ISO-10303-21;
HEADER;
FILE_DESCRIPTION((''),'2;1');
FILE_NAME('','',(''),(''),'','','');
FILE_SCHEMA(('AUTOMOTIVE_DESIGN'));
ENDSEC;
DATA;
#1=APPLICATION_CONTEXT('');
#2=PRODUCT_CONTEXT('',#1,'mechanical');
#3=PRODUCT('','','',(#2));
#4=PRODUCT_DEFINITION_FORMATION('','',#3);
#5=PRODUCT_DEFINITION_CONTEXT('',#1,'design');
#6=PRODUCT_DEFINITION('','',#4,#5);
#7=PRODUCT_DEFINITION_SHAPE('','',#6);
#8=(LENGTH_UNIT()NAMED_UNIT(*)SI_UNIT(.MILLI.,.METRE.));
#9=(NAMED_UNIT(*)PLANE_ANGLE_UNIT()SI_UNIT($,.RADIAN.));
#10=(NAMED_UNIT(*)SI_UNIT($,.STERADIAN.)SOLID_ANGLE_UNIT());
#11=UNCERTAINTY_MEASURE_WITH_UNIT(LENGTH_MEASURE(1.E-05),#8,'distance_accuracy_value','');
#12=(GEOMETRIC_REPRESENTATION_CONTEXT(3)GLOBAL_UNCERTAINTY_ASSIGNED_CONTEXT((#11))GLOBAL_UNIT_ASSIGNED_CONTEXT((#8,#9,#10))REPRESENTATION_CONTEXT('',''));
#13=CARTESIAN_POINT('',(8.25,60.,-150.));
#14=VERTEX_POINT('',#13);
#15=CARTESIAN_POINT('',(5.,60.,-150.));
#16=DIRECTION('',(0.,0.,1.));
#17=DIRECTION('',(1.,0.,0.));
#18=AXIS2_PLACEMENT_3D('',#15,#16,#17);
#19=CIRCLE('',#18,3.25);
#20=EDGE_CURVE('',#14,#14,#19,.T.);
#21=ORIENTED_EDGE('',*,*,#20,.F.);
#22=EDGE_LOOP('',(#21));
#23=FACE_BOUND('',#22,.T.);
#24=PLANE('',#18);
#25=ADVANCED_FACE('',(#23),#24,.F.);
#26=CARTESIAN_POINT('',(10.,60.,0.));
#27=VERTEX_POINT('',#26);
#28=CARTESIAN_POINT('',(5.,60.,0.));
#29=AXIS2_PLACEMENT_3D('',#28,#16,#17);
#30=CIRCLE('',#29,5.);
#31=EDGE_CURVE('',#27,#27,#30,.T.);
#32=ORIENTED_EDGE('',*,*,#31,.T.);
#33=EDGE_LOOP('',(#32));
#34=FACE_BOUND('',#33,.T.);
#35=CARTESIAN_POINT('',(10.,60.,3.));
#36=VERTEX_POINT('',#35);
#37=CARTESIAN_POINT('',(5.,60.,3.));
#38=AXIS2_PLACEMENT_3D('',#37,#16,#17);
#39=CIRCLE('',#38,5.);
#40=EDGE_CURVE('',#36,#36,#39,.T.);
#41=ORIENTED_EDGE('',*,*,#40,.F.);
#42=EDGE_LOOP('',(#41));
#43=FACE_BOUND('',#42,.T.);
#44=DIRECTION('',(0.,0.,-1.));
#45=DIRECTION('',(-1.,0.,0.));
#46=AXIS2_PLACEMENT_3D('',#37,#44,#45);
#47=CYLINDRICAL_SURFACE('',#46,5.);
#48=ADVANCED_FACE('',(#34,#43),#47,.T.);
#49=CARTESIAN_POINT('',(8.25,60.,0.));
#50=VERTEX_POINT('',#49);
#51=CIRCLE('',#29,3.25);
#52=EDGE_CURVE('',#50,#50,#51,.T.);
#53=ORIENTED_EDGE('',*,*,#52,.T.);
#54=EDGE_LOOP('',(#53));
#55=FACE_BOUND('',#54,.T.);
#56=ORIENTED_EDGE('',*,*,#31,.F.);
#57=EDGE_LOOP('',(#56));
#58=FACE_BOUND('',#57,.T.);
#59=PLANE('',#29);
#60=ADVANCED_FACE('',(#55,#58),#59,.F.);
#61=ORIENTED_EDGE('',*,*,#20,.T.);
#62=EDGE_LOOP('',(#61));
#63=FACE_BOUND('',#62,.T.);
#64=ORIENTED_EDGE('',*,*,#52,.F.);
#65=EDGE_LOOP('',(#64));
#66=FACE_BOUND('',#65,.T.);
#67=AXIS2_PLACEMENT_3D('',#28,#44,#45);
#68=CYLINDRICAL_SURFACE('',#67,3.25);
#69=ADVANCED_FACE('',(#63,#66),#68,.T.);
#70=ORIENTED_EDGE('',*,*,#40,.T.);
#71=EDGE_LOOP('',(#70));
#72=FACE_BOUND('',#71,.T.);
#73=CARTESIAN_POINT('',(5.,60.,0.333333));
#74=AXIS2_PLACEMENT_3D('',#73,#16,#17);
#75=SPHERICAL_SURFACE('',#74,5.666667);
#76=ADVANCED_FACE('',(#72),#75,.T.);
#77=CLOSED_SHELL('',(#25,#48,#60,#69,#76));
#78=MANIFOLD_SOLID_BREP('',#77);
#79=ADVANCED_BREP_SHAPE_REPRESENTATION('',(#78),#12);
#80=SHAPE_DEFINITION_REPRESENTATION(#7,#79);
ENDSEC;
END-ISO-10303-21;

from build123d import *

# Parameters (mm, degrees)
SKETCH1_R           = 3.25
SKETCH3_R           = 5
BOSS_EXTRUDE1_DEPTH = 3
DOME1_FACE_RADIUS   = 5
DOME1_HEIGHT        = 3


with BuildPart() as part:
    # Sweep1: sweep along a path in Sketch2
    with BuildLine(Plane(origin=(0, 0, 0), x_dir=(0, 0, -1), z_dir=(1, 0, 0))) as sweep1_path:
        Line((0, 0), (150, 0))
    # Sketch1 → Sweep1 (sweep)
    with BuildSketch(Plane.XY):
        with Locations((5, 60)):
            Circle(SKETCH1_R)
    sweep(path=sweep1_path.line)

    # Sketch3 → Boss-Extrude1 (add)
    with BuildSketch(Plane.XY):
        with Locations((5, 60)):
            Circle(SKETCH3_R)
    extrude(amount=BOSS_EXTRUDE1_DEPTH)

    # Dome1: a dome of height H over a round flat face of radius A is a cap of a sphere of radius (A * A + H * H) / (2 * H)
    dome1_r = (DOME1_FACE_RADIUS * DOME1_FACE_RADIUS + DOME1_HEIGHT * DOME1_HEIGHT) / (2 * DOME1_HEIGHT)
    dome1_base = Plane((5, 60, 3), z_dir=(0, 0, 1))
    with Locations(dome1_base.offset(DOME1_HEIGHT - dome1_r)):
        dome1_ball = Sphere(dome1_r, mode=Mode.PRIVATE)
    add(split(dome1_ball, bisect_by=dome1_base, keep=Keep.TOP, mode=Mode.PRIVATE))


solid = part.part
